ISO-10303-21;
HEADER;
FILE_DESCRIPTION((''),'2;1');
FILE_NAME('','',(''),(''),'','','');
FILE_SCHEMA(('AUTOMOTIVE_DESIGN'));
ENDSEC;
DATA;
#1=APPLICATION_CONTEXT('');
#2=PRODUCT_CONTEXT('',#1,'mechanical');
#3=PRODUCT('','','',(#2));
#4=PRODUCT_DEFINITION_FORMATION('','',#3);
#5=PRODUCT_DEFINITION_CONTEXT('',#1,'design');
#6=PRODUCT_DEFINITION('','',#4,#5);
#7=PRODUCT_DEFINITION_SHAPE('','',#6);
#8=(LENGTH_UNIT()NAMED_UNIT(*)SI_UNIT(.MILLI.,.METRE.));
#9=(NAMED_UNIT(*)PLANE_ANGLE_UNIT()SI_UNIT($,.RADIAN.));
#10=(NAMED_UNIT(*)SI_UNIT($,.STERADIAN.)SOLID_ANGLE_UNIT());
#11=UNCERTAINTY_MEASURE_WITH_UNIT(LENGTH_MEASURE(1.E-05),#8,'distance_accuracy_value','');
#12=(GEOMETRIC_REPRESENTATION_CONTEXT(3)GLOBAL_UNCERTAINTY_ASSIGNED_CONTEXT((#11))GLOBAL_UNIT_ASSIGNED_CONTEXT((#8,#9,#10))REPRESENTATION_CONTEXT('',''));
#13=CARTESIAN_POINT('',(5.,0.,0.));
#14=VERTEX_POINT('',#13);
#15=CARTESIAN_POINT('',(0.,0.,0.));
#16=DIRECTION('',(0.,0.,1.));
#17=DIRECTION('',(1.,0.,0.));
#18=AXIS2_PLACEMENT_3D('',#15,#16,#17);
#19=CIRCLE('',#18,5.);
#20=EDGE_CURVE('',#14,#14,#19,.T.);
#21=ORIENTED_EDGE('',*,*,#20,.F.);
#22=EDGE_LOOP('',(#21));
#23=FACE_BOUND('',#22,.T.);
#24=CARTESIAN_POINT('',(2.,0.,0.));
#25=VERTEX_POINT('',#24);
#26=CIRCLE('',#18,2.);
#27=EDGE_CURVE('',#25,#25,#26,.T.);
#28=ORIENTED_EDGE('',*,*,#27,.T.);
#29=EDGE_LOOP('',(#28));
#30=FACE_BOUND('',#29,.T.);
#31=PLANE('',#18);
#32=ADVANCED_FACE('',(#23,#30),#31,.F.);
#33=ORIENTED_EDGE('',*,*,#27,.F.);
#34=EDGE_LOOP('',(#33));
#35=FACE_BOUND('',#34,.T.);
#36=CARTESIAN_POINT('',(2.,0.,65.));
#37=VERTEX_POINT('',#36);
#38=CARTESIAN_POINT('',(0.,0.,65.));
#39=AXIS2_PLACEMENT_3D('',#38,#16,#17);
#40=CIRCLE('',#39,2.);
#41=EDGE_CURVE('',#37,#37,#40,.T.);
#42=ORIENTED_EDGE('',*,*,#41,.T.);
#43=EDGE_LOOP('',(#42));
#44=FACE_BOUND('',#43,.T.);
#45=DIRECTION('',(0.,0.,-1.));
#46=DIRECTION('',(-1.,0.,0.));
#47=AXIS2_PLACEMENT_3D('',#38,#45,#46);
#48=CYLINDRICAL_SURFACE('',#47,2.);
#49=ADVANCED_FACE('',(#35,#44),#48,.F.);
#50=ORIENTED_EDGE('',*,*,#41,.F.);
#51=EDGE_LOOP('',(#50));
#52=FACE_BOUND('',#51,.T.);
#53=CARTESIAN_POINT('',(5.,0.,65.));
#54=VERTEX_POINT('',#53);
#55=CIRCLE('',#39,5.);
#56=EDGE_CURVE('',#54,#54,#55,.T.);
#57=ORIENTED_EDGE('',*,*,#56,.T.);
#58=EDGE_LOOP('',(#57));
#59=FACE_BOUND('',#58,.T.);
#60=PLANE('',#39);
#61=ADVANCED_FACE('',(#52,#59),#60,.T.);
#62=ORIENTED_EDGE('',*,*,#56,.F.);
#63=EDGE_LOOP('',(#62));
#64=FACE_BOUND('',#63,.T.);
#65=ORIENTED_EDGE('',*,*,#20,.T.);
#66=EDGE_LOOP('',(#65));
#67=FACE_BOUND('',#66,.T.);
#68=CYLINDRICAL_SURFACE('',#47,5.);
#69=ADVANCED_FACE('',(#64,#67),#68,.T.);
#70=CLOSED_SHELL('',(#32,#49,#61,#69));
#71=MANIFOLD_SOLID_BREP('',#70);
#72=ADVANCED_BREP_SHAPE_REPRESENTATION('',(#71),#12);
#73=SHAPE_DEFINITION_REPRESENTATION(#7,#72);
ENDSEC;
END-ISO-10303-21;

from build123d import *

# Parameters (mm, degrees)
ESBO_O1_R                = 5
ESBO_O1_R_2              = 2
RESSALTO_EXTRUS_O1_DEPTH = 65


with BuildPart() as part:
    # Esboço1 → Ressalto-extrusão1 (new body)
    with BuildSketch(Plane.XY):
        Circle(ESBO_O1_R)
        Circle(ESBO_O1_R_2, mode=Mode.SUBTRACT)
    extrude(amount=RESSALTO_EXTRUS_O1_DEPTH)


solid = part.part
